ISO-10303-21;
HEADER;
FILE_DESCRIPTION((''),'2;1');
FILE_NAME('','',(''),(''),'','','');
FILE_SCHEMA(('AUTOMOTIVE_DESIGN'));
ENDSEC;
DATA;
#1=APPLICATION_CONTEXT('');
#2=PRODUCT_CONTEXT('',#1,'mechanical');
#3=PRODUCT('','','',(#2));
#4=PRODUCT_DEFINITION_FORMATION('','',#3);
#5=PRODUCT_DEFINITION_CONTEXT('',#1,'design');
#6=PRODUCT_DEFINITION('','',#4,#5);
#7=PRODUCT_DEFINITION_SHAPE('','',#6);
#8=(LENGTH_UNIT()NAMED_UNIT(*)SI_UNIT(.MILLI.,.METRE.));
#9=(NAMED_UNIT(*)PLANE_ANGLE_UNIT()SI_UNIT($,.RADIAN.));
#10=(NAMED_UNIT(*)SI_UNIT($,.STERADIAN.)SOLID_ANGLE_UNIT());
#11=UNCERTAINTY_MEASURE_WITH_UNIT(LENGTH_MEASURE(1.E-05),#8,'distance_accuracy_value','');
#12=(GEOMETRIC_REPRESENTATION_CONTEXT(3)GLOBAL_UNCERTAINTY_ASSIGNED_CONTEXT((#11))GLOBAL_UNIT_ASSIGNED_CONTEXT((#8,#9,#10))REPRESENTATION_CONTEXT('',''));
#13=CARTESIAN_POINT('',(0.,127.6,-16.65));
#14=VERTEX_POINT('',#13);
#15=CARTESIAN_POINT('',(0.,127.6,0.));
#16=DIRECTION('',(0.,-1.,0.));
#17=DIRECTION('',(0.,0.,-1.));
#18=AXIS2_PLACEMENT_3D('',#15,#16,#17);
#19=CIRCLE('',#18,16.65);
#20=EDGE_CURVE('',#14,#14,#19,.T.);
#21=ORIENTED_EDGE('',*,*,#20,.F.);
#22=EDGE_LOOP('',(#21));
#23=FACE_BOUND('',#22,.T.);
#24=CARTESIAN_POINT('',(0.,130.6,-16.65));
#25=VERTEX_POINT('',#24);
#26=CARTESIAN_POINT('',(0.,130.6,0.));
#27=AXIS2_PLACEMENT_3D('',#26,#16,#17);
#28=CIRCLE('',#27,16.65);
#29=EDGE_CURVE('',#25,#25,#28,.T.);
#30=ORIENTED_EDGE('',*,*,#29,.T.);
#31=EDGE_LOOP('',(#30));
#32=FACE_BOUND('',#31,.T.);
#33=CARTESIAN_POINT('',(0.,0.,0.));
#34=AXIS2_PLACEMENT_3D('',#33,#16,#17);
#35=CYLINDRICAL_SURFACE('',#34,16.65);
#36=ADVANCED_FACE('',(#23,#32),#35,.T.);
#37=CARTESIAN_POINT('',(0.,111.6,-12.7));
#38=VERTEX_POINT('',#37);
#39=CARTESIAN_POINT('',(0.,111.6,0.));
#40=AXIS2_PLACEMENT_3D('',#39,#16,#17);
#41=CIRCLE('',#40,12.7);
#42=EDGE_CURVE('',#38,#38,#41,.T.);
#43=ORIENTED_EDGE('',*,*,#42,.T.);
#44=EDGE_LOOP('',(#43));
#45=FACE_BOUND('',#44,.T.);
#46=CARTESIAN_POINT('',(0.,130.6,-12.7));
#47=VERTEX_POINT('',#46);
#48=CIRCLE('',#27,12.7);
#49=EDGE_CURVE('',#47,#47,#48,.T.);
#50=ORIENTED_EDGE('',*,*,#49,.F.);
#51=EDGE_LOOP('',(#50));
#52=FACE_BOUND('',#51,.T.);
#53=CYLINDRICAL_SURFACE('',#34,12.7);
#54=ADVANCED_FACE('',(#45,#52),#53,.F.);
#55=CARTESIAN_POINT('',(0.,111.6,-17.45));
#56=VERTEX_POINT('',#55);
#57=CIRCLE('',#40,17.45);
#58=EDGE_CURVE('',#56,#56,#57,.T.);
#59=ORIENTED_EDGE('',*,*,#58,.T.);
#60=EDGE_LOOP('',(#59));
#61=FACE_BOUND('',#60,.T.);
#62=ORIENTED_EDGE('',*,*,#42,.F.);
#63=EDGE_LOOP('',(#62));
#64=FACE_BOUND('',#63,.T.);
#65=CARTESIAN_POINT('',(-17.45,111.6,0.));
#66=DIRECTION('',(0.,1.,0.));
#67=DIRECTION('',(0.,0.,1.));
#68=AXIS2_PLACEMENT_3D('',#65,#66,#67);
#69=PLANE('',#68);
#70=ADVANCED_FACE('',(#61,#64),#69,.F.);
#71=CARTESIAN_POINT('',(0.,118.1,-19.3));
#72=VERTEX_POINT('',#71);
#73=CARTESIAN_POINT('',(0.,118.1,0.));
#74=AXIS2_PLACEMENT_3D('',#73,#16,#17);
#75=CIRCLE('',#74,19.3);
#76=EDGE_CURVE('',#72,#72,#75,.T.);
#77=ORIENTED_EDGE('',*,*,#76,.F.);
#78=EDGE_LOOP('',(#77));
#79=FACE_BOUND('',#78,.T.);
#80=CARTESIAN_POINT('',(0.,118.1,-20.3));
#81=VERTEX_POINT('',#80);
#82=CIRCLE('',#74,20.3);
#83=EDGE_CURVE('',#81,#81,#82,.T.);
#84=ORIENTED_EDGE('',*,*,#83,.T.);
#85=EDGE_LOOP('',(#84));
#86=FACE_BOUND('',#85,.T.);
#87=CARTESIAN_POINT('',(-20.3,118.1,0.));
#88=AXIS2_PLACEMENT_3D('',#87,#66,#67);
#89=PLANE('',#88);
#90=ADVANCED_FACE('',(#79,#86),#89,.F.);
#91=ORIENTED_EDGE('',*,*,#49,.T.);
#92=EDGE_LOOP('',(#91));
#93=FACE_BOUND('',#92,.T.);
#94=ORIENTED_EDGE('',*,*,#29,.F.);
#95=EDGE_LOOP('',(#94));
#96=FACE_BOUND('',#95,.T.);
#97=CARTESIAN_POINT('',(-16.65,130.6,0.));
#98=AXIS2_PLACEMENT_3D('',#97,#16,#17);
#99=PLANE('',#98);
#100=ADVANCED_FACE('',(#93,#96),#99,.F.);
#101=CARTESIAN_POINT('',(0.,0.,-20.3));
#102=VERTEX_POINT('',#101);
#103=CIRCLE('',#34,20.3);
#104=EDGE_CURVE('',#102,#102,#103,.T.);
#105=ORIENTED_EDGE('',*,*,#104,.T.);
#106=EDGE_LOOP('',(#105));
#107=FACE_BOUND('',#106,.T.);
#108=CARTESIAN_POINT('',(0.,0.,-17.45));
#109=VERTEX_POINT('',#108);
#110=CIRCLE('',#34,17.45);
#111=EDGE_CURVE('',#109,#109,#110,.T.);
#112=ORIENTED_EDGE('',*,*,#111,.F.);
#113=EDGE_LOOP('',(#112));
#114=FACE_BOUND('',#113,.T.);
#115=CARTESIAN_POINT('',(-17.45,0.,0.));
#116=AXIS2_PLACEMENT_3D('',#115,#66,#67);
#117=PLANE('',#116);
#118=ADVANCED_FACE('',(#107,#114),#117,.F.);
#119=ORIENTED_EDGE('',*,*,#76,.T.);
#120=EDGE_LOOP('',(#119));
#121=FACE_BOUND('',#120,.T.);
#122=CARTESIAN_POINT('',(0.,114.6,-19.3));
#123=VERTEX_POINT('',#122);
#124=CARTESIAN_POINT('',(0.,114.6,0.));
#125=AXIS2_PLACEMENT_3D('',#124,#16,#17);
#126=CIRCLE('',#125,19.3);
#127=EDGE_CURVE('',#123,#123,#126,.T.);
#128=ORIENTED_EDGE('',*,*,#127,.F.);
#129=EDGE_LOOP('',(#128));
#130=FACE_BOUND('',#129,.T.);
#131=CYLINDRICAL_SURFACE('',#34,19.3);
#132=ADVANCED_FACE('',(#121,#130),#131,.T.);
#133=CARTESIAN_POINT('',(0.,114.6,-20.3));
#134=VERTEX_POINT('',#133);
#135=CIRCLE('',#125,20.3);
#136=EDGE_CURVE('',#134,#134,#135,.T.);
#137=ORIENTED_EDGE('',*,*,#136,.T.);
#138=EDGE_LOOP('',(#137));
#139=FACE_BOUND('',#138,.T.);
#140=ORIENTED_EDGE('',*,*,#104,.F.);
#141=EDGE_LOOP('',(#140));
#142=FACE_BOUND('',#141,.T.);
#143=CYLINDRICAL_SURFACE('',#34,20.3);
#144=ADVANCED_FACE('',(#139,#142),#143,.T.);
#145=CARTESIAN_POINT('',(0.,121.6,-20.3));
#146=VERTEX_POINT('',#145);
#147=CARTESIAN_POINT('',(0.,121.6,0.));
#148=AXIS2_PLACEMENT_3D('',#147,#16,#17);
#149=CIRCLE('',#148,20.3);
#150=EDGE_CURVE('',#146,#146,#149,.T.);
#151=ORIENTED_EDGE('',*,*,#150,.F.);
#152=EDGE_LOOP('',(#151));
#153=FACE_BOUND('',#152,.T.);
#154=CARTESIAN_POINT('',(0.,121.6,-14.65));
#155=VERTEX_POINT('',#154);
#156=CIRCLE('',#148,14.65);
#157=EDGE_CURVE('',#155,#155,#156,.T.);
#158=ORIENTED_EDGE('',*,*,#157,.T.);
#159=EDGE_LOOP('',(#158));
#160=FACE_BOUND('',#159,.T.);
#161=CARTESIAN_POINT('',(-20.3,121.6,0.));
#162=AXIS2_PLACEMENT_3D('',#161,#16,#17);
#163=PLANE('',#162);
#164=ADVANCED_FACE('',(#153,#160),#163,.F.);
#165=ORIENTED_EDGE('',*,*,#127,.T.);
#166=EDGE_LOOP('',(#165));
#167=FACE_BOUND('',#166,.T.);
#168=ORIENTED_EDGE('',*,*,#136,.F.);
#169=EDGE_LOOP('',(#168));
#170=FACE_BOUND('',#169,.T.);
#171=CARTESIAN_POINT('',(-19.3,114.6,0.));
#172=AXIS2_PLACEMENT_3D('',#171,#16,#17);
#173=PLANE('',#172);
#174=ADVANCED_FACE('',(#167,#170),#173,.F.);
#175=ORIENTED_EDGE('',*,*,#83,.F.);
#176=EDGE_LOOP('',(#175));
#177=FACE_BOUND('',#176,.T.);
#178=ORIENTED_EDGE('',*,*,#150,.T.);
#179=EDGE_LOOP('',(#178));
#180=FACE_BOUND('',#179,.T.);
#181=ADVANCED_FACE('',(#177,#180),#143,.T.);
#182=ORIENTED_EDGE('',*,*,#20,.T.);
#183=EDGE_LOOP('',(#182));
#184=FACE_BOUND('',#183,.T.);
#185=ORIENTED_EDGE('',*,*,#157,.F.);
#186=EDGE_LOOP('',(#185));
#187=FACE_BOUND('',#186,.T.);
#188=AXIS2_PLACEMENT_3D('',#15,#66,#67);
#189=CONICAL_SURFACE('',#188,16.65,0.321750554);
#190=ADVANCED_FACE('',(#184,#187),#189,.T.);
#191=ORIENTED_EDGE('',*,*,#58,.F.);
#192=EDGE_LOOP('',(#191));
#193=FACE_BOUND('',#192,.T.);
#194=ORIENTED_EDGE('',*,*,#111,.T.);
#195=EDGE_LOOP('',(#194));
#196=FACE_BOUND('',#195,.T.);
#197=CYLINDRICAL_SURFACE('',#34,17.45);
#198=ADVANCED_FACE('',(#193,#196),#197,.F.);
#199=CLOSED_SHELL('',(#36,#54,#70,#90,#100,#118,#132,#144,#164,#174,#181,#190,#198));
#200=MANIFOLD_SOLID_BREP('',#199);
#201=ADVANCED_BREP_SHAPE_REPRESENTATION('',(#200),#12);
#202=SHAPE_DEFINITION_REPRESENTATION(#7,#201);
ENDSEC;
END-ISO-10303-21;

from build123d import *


with BuildPart() as part:
    # Sketch1 → Revolve1 (revolve)
    with BuildSketch(Plane.XY):
        Polygon((-17.45, 0), (-20.3, 0), (-20.3, 114.6), (-19.3, 114.6), (-19.3, 118.1), (-20.3, 118.1), (-20.3, 121.6), (-14.65, 121.6), (-16.65, 127.6), (-16.65, 130.6), (-12.7, 130.6), (-12.7, 111.6), (-17.45, 111.6), align=None)
    revolve(axis=Axis((0, 0, 0), (0, 1, 0)))


solid = part.part
